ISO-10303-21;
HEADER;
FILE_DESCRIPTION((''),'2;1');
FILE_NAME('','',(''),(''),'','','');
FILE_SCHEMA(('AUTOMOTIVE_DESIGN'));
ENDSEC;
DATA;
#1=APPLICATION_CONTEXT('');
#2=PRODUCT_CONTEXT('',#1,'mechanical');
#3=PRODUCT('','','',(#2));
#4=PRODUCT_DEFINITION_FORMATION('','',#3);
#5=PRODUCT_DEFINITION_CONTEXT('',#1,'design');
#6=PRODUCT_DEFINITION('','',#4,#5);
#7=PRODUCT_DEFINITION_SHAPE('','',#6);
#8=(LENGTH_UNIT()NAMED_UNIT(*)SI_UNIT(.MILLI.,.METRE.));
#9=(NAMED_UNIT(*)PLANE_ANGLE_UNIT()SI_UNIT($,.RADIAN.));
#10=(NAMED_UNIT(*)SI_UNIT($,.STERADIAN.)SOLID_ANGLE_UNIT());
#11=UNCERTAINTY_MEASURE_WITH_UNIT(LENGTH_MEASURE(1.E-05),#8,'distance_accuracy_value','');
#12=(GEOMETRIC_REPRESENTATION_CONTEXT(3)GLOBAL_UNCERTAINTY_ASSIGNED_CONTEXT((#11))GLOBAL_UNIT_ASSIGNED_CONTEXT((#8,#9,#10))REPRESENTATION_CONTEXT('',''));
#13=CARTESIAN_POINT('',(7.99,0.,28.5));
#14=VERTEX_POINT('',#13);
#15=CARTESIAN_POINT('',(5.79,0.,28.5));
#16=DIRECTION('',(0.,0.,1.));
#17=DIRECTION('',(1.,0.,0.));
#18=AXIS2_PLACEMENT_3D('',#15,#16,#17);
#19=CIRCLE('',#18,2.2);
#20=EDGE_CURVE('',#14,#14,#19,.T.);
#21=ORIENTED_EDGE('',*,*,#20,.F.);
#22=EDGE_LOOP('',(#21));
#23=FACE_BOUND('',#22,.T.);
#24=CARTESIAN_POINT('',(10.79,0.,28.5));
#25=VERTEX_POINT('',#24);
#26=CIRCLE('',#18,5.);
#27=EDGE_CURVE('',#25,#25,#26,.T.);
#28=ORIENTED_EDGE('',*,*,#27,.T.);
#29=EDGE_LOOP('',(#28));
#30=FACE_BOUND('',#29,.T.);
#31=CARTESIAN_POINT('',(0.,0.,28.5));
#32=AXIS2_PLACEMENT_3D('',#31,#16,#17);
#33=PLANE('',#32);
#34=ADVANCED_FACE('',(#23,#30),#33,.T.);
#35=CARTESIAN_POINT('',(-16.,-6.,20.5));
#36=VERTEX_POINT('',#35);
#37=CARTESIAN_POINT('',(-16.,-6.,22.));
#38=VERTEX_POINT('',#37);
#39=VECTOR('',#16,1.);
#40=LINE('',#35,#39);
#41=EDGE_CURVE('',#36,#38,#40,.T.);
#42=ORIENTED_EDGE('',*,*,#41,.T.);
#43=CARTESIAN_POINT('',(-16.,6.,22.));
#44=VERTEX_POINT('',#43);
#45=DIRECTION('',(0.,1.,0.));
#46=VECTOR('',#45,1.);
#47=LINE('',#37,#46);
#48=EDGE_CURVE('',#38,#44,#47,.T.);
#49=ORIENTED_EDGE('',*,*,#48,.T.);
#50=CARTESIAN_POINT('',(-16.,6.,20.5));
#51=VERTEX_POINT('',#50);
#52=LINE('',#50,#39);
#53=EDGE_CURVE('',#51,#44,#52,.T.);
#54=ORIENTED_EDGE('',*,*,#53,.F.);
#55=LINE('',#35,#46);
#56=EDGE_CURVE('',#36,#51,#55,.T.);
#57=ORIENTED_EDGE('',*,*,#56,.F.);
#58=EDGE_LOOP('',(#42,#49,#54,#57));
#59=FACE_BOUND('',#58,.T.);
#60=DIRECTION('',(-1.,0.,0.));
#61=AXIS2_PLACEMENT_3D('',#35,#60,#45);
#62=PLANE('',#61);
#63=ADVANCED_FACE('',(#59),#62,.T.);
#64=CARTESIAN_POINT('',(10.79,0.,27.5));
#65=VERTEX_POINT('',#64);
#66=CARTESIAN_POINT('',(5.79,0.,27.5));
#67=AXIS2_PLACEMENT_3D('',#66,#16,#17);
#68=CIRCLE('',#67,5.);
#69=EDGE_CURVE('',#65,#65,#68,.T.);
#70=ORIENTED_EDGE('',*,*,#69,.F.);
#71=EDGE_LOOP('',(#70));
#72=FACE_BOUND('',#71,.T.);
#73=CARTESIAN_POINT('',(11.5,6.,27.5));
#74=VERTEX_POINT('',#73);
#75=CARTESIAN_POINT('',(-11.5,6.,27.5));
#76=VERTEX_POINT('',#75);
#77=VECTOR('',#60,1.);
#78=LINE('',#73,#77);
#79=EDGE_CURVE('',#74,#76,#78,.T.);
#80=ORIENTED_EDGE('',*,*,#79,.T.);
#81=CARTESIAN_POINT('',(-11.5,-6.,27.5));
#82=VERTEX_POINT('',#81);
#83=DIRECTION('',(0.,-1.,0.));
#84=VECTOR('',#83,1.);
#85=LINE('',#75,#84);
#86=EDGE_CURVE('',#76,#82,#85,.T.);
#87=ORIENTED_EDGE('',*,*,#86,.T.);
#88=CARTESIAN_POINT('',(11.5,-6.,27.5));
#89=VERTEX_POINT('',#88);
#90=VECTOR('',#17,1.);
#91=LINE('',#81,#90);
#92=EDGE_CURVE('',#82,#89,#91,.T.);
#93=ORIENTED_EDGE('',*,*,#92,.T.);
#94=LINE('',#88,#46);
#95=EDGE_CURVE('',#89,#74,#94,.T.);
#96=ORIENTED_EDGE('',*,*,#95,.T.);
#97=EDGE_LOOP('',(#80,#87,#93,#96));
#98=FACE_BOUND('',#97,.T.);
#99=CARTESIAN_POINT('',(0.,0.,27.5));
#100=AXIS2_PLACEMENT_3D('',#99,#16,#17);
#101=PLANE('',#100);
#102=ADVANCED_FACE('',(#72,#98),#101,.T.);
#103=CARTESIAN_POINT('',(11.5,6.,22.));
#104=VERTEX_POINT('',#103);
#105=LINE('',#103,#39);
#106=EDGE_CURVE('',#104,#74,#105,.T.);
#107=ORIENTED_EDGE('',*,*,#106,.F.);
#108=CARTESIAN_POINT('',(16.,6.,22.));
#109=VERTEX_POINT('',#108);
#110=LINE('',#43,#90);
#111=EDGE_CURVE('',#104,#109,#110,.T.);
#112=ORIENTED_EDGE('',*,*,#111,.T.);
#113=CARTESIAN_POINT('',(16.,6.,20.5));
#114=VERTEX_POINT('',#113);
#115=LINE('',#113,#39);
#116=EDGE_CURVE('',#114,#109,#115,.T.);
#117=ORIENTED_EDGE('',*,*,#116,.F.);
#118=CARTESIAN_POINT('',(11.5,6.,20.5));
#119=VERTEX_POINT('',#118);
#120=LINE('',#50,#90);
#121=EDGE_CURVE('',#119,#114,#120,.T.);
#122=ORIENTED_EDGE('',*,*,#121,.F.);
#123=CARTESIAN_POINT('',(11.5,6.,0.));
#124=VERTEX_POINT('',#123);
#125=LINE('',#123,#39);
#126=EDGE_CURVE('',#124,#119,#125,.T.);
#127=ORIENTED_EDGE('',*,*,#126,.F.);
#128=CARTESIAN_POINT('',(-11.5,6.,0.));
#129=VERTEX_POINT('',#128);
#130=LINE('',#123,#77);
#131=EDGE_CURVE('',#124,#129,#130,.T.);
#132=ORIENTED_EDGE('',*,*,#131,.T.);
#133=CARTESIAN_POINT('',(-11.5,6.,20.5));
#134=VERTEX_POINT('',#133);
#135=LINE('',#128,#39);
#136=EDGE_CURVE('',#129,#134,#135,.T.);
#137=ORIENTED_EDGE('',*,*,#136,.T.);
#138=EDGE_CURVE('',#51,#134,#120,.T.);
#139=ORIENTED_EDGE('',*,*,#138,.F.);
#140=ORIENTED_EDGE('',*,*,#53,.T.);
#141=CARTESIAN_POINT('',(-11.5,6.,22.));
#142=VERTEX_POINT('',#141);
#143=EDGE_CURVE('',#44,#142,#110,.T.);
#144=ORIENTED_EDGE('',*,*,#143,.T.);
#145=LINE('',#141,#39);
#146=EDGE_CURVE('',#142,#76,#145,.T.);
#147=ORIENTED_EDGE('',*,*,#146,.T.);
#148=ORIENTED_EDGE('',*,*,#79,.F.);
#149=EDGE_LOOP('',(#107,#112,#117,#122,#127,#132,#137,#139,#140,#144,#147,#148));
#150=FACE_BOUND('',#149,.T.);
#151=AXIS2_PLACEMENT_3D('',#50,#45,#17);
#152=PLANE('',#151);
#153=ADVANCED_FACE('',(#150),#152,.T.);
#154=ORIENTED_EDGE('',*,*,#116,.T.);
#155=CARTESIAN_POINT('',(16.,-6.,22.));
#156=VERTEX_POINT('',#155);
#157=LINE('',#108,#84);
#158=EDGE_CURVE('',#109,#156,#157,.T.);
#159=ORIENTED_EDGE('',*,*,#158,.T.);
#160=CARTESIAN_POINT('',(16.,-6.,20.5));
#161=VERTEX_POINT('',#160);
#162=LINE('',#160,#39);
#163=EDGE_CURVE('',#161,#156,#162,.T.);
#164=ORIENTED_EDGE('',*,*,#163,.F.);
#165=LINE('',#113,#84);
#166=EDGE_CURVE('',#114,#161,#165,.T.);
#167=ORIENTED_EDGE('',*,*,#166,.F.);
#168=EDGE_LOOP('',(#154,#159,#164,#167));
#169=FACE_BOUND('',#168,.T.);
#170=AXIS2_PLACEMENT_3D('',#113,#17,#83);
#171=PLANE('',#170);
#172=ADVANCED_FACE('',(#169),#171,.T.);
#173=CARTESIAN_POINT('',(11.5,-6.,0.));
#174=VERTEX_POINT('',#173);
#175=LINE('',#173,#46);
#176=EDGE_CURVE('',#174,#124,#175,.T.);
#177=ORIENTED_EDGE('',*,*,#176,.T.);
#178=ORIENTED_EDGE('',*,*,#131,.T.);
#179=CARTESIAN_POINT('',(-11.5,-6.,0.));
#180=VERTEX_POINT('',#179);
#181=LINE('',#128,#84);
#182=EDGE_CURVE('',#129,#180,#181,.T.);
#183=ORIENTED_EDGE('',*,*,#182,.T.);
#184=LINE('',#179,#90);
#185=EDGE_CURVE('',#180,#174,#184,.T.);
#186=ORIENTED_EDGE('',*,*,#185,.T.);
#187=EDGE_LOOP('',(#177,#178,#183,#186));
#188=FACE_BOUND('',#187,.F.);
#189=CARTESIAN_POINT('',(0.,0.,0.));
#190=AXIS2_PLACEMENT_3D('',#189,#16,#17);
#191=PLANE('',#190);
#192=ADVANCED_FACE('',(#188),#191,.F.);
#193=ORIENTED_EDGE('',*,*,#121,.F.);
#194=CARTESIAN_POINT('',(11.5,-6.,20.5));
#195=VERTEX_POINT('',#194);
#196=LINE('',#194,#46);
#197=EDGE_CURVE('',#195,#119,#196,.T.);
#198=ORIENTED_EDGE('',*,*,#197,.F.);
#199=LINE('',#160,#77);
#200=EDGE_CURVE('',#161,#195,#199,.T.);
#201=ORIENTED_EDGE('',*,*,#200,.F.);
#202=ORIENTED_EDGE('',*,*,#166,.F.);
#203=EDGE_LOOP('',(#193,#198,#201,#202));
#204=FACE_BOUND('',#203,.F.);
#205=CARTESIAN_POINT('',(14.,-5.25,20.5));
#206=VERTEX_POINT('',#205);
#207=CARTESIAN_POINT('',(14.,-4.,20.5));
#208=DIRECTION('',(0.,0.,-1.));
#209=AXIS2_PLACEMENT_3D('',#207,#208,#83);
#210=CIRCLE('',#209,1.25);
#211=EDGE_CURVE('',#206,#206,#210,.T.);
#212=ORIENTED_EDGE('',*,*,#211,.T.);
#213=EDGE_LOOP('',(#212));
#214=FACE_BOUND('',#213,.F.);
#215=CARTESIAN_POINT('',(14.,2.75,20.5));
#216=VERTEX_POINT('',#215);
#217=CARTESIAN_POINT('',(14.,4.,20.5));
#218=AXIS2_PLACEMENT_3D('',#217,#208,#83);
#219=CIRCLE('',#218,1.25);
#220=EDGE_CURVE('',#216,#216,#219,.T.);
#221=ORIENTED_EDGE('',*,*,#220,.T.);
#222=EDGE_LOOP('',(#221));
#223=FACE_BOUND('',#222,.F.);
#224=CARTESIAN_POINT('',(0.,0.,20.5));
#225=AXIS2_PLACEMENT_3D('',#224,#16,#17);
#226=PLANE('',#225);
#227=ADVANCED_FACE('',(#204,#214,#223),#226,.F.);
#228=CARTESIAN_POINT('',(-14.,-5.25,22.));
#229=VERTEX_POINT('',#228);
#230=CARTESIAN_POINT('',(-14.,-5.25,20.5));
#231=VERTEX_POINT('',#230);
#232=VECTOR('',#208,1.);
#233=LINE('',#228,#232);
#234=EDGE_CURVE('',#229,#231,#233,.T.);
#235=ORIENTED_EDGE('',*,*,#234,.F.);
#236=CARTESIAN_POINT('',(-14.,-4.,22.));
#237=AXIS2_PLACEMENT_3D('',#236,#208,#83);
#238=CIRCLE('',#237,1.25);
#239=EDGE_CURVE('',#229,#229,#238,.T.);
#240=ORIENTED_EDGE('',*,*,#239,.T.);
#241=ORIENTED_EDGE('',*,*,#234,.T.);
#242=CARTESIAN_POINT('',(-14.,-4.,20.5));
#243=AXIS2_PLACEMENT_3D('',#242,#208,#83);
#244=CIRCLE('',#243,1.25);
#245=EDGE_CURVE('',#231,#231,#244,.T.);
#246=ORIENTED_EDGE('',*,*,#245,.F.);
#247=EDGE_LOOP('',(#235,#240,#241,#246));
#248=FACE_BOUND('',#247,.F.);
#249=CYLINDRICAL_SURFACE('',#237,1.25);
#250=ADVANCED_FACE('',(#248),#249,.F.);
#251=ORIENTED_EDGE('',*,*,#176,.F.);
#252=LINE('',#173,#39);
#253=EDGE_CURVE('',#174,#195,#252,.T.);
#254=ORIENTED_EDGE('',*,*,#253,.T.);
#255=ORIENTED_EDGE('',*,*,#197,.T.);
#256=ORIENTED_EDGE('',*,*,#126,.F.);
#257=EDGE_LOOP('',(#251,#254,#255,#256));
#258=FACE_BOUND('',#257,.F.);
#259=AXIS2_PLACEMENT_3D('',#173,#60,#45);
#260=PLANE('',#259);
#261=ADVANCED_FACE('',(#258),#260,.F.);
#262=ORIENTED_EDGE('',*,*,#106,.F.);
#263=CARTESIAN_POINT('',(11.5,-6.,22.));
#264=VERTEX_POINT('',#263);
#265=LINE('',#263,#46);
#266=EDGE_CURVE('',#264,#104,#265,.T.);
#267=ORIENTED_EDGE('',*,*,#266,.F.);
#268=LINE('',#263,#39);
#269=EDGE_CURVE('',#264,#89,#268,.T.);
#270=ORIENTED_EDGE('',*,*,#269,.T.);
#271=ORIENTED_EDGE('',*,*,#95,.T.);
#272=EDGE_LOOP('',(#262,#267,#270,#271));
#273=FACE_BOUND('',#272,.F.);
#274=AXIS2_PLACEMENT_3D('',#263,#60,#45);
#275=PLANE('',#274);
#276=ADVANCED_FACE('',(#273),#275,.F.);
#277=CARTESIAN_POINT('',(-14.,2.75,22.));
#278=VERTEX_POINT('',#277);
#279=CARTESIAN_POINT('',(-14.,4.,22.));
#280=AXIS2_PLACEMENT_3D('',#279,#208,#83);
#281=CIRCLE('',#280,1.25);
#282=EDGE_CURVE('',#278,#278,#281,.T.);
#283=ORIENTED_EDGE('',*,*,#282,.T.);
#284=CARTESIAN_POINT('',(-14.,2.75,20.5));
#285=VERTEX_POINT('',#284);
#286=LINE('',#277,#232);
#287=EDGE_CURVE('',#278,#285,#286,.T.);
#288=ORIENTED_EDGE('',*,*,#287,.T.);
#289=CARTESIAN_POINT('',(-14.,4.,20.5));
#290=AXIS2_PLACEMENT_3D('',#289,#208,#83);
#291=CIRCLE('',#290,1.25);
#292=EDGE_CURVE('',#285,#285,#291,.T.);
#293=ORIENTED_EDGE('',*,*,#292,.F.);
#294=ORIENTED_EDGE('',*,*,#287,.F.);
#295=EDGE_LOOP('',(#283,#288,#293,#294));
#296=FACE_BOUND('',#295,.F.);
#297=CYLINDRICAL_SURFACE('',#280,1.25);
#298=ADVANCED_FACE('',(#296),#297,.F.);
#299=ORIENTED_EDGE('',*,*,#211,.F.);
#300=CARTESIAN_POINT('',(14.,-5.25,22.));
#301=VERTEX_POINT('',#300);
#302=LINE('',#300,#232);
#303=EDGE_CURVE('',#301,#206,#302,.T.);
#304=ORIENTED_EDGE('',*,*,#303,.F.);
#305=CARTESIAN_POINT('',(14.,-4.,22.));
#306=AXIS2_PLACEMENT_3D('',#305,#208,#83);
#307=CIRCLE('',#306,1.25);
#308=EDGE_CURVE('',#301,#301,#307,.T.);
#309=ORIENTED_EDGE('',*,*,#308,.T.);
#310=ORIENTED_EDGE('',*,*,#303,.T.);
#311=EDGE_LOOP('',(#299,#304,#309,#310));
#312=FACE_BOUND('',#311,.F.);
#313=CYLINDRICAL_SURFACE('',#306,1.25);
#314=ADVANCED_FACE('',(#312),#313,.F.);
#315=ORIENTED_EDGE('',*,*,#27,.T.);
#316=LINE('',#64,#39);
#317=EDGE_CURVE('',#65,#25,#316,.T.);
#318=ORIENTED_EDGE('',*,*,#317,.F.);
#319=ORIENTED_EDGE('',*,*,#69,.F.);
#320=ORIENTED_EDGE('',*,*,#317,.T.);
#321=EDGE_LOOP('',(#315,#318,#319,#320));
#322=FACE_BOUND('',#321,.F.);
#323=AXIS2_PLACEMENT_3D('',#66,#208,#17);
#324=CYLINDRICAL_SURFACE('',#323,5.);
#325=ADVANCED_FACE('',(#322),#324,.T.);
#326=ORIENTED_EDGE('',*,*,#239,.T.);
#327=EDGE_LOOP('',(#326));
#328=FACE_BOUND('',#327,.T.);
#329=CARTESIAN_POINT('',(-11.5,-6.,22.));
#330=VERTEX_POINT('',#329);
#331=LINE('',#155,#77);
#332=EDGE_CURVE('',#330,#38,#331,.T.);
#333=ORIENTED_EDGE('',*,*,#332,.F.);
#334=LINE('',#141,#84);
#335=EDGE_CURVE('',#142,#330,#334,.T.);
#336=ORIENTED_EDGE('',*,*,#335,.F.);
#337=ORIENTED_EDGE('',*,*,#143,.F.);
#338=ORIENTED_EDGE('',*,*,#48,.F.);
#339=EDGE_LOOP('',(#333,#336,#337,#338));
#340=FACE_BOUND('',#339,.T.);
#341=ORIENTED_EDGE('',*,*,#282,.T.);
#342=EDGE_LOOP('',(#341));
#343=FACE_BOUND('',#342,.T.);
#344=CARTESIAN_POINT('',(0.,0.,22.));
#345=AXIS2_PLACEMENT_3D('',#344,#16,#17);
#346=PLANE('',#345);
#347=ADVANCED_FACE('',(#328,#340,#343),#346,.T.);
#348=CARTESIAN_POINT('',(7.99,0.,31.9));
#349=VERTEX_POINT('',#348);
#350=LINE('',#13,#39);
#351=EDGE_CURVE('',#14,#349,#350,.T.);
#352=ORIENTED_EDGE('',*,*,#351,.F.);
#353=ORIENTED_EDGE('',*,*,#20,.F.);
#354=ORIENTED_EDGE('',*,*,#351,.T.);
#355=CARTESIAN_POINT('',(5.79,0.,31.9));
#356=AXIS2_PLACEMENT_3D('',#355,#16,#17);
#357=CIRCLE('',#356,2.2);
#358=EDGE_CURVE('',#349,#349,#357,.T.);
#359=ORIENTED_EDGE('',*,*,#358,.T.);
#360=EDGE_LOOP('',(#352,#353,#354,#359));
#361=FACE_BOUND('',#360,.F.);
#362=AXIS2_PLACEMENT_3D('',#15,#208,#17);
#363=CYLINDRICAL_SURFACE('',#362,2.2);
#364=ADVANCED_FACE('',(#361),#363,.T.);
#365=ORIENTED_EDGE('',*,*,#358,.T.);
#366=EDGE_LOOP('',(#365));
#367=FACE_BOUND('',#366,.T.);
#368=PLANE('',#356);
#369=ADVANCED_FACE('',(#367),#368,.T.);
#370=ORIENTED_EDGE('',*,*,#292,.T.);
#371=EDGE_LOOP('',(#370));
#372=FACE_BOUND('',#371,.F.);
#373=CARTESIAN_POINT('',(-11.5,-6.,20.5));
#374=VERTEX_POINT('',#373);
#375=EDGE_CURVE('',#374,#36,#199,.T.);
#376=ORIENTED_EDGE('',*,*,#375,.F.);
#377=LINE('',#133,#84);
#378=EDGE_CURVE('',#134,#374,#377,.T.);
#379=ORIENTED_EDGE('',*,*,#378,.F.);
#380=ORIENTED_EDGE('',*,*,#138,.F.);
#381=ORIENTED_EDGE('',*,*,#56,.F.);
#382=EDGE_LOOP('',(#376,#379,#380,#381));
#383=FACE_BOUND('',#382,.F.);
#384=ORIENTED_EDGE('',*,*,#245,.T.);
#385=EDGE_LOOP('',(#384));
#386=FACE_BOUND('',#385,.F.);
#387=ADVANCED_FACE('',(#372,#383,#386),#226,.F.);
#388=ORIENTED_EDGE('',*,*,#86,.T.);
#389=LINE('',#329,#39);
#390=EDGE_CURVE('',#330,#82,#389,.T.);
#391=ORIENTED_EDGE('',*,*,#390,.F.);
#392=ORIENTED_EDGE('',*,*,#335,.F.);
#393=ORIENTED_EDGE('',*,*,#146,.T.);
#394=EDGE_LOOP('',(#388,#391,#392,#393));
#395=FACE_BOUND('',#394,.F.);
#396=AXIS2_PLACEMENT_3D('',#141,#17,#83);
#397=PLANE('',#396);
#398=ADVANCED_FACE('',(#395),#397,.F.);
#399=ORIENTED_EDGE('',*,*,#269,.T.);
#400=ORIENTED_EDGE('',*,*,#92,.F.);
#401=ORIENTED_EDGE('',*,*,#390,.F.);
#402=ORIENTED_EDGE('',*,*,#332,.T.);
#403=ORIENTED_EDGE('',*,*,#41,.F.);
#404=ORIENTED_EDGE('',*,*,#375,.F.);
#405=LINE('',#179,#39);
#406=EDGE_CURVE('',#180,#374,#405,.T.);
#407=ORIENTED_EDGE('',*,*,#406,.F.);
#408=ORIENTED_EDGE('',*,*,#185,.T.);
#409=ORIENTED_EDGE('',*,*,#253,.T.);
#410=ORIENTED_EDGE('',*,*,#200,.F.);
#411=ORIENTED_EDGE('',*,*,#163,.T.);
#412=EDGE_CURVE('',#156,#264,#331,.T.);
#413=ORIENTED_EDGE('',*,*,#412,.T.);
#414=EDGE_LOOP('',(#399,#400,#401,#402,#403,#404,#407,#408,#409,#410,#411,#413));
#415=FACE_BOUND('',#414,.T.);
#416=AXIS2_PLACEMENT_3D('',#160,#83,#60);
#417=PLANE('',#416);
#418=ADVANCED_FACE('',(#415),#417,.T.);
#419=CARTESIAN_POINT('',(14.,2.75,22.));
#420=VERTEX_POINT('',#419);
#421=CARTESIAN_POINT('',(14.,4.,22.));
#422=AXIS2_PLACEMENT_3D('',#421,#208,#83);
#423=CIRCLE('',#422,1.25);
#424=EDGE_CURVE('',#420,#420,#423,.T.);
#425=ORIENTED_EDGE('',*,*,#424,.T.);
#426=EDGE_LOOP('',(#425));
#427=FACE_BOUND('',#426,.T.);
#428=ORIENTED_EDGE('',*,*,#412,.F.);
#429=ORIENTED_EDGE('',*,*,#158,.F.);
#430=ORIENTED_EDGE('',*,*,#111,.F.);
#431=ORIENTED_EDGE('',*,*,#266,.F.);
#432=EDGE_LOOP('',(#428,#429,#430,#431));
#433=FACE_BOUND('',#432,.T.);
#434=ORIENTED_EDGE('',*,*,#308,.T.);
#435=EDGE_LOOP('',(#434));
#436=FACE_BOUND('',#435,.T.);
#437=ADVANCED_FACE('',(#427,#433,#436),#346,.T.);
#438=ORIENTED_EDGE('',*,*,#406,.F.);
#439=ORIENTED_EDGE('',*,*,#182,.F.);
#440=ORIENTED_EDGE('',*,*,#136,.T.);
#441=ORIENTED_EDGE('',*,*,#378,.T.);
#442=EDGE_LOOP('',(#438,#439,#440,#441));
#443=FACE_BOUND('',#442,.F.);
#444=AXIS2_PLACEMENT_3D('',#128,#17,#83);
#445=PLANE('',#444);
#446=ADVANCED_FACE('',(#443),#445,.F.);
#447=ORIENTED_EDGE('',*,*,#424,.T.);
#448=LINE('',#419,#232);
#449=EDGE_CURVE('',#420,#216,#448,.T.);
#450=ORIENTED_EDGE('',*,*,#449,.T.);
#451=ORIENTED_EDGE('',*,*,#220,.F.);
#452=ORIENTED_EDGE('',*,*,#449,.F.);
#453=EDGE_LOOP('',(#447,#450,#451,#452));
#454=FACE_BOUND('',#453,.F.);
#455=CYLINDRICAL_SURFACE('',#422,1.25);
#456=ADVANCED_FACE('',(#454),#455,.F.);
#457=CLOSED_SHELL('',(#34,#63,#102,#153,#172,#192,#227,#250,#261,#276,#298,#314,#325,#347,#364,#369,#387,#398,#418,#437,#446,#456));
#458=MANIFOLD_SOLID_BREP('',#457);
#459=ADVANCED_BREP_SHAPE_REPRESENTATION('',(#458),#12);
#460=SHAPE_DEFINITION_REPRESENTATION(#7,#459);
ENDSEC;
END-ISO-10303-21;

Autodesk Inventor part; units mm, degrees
ref_plane "YZ Plane" through (0, 0, 0) normal (1, 0, 0) x (0, 1, 0)
ref_plane "XZ Plane" through (0, 0, 0) normal (0, 1, 0) x (-1, 0, 0)
ref_plane "XY Plane" through (0, 0, 0) normal (0, 0, 1) x (1, 0, 0)
sketch "スケッチ1" plane through (0, 0, 0) normal (0, 0, 1) x (1, 0, 0)
  line L0 (11.5, 6) -> (-11.5, 6)
  line L1 (-11.5, 6) -> (-11.5, -6)
  line L2 (-11.5, -6) -> (11.5, -6)
  line L3 (11.5, -6) -> (11.5, 6)
  line L4 (11.5, 6) -> (-11.5, -6) construction
  line L5 (-11.5, 6) -> (11.5, -6) construction
  point P0 (0, 0)
  dimension "d0" = 23
  dimension "d1" = 12
extrude "押し出し1" add sketch "スケッチ1" along normal blind 20.5
sketch "スケッチ2" plane through (0, 0, 20.5) normal (0, 0, 1) x (1, 0, 0)
  line L0 (-16, 6) -> (16, 6)
  line L1 (16, 6) -> (16, -6)
  line L2 (16, -6) -> (-16, -6)
  line L3 (-16, -6) -> (-16, 6)
  line L4 (-16, 6) -> (16, -6) construction
  line L5 (16, 6) -> (-16, -6) construction
  point P0 (0, 0)
  dimension "d4" = 32
  dimension "d5" = 12
extrude "押し出し2" add sketch "スケッチ2" along normal blind 1.5
sketch "スケッチ3" plane through (0, 0, 22) normal (0, 0, 1) x (1, 0, 0)
  line L0 (-11.5, 6) -> (-11.5, -6) projected
  line L1 (11.5, 6) -> (-11.5, 6) projected
  line L2 (11.5, -6) -> (11.5, 6) projected
  line L3 (-11.5, -6) -> (11.5, -6) projected
  point P0 (0, 0)
extrude "押し出し3" add sketch "スケッチ3" along normal blind 5.5
sketch "スケッチ4" plane through (0, 0, 27.5) normal (0, 0, 1) x (1, 0, 0)
  circle A0 centre (5.79, 0) radius 5
  line L0 (11.5, -6) -> (11.5, 6) projected
  line L1 (11.5, 6) -> (-11.5, 6) projected
  point P0 (0, 0)
  dimension "d10" = 5.71
  dimension "d11" = 6
  dimension "d12" = 10
extrude "押し出し4" add sketch "スケッチ4" along normal blind 1
sketch "スケッチ5" plane through (5.79, 0, 28.5) normal (0, 0, 1) x (1, 0, 0)
  circle A0 centre (0, 0) radius 5 projected
  circle A1 centre (0, 0) radius 2.2
  point P0 (-5.79, 0)
  dimension "d15" = 4.4
extrude "押し出し5" add sketch "スケッチ5" along normal blind 3.4 contours A1
sketch "スケッチ6" plane through (0, 0, 22) normal (0, 0, 1) x (1, 0, 0)
  line L0 (-19.7007, 0) -> (19.7007, 0)
  line L1 (0, -8.8838) -> (0, 8.8838)
  circle A0 centre (5.79, 0) radius 2.2 projected
  circle A1 centre (5.79, 0) radius 2.2 projected
  line L2 (-11.5, 6) -> (-16, 6) projected
  line L3 (16, 6) -> (11.5, 6) projected
  point P0 (0, 0)
  point P1 (-14, 4)
  point P2 (-14, -4)
  point P3 (14, 4)
  point P4 (14, -4)
  dimension "d18" = 19.79
  dimension "d19" = 2
  dimension "d20" = 8.21
  dimension "d21" = 2
hole "穴1" at (-14, 4, 22) at (-14, -4, 22) at (14, 4, 22) at (14, -4, 22) direction (0, 0, -1) diameter 2.5 end through all
properties part number "STS3032"
